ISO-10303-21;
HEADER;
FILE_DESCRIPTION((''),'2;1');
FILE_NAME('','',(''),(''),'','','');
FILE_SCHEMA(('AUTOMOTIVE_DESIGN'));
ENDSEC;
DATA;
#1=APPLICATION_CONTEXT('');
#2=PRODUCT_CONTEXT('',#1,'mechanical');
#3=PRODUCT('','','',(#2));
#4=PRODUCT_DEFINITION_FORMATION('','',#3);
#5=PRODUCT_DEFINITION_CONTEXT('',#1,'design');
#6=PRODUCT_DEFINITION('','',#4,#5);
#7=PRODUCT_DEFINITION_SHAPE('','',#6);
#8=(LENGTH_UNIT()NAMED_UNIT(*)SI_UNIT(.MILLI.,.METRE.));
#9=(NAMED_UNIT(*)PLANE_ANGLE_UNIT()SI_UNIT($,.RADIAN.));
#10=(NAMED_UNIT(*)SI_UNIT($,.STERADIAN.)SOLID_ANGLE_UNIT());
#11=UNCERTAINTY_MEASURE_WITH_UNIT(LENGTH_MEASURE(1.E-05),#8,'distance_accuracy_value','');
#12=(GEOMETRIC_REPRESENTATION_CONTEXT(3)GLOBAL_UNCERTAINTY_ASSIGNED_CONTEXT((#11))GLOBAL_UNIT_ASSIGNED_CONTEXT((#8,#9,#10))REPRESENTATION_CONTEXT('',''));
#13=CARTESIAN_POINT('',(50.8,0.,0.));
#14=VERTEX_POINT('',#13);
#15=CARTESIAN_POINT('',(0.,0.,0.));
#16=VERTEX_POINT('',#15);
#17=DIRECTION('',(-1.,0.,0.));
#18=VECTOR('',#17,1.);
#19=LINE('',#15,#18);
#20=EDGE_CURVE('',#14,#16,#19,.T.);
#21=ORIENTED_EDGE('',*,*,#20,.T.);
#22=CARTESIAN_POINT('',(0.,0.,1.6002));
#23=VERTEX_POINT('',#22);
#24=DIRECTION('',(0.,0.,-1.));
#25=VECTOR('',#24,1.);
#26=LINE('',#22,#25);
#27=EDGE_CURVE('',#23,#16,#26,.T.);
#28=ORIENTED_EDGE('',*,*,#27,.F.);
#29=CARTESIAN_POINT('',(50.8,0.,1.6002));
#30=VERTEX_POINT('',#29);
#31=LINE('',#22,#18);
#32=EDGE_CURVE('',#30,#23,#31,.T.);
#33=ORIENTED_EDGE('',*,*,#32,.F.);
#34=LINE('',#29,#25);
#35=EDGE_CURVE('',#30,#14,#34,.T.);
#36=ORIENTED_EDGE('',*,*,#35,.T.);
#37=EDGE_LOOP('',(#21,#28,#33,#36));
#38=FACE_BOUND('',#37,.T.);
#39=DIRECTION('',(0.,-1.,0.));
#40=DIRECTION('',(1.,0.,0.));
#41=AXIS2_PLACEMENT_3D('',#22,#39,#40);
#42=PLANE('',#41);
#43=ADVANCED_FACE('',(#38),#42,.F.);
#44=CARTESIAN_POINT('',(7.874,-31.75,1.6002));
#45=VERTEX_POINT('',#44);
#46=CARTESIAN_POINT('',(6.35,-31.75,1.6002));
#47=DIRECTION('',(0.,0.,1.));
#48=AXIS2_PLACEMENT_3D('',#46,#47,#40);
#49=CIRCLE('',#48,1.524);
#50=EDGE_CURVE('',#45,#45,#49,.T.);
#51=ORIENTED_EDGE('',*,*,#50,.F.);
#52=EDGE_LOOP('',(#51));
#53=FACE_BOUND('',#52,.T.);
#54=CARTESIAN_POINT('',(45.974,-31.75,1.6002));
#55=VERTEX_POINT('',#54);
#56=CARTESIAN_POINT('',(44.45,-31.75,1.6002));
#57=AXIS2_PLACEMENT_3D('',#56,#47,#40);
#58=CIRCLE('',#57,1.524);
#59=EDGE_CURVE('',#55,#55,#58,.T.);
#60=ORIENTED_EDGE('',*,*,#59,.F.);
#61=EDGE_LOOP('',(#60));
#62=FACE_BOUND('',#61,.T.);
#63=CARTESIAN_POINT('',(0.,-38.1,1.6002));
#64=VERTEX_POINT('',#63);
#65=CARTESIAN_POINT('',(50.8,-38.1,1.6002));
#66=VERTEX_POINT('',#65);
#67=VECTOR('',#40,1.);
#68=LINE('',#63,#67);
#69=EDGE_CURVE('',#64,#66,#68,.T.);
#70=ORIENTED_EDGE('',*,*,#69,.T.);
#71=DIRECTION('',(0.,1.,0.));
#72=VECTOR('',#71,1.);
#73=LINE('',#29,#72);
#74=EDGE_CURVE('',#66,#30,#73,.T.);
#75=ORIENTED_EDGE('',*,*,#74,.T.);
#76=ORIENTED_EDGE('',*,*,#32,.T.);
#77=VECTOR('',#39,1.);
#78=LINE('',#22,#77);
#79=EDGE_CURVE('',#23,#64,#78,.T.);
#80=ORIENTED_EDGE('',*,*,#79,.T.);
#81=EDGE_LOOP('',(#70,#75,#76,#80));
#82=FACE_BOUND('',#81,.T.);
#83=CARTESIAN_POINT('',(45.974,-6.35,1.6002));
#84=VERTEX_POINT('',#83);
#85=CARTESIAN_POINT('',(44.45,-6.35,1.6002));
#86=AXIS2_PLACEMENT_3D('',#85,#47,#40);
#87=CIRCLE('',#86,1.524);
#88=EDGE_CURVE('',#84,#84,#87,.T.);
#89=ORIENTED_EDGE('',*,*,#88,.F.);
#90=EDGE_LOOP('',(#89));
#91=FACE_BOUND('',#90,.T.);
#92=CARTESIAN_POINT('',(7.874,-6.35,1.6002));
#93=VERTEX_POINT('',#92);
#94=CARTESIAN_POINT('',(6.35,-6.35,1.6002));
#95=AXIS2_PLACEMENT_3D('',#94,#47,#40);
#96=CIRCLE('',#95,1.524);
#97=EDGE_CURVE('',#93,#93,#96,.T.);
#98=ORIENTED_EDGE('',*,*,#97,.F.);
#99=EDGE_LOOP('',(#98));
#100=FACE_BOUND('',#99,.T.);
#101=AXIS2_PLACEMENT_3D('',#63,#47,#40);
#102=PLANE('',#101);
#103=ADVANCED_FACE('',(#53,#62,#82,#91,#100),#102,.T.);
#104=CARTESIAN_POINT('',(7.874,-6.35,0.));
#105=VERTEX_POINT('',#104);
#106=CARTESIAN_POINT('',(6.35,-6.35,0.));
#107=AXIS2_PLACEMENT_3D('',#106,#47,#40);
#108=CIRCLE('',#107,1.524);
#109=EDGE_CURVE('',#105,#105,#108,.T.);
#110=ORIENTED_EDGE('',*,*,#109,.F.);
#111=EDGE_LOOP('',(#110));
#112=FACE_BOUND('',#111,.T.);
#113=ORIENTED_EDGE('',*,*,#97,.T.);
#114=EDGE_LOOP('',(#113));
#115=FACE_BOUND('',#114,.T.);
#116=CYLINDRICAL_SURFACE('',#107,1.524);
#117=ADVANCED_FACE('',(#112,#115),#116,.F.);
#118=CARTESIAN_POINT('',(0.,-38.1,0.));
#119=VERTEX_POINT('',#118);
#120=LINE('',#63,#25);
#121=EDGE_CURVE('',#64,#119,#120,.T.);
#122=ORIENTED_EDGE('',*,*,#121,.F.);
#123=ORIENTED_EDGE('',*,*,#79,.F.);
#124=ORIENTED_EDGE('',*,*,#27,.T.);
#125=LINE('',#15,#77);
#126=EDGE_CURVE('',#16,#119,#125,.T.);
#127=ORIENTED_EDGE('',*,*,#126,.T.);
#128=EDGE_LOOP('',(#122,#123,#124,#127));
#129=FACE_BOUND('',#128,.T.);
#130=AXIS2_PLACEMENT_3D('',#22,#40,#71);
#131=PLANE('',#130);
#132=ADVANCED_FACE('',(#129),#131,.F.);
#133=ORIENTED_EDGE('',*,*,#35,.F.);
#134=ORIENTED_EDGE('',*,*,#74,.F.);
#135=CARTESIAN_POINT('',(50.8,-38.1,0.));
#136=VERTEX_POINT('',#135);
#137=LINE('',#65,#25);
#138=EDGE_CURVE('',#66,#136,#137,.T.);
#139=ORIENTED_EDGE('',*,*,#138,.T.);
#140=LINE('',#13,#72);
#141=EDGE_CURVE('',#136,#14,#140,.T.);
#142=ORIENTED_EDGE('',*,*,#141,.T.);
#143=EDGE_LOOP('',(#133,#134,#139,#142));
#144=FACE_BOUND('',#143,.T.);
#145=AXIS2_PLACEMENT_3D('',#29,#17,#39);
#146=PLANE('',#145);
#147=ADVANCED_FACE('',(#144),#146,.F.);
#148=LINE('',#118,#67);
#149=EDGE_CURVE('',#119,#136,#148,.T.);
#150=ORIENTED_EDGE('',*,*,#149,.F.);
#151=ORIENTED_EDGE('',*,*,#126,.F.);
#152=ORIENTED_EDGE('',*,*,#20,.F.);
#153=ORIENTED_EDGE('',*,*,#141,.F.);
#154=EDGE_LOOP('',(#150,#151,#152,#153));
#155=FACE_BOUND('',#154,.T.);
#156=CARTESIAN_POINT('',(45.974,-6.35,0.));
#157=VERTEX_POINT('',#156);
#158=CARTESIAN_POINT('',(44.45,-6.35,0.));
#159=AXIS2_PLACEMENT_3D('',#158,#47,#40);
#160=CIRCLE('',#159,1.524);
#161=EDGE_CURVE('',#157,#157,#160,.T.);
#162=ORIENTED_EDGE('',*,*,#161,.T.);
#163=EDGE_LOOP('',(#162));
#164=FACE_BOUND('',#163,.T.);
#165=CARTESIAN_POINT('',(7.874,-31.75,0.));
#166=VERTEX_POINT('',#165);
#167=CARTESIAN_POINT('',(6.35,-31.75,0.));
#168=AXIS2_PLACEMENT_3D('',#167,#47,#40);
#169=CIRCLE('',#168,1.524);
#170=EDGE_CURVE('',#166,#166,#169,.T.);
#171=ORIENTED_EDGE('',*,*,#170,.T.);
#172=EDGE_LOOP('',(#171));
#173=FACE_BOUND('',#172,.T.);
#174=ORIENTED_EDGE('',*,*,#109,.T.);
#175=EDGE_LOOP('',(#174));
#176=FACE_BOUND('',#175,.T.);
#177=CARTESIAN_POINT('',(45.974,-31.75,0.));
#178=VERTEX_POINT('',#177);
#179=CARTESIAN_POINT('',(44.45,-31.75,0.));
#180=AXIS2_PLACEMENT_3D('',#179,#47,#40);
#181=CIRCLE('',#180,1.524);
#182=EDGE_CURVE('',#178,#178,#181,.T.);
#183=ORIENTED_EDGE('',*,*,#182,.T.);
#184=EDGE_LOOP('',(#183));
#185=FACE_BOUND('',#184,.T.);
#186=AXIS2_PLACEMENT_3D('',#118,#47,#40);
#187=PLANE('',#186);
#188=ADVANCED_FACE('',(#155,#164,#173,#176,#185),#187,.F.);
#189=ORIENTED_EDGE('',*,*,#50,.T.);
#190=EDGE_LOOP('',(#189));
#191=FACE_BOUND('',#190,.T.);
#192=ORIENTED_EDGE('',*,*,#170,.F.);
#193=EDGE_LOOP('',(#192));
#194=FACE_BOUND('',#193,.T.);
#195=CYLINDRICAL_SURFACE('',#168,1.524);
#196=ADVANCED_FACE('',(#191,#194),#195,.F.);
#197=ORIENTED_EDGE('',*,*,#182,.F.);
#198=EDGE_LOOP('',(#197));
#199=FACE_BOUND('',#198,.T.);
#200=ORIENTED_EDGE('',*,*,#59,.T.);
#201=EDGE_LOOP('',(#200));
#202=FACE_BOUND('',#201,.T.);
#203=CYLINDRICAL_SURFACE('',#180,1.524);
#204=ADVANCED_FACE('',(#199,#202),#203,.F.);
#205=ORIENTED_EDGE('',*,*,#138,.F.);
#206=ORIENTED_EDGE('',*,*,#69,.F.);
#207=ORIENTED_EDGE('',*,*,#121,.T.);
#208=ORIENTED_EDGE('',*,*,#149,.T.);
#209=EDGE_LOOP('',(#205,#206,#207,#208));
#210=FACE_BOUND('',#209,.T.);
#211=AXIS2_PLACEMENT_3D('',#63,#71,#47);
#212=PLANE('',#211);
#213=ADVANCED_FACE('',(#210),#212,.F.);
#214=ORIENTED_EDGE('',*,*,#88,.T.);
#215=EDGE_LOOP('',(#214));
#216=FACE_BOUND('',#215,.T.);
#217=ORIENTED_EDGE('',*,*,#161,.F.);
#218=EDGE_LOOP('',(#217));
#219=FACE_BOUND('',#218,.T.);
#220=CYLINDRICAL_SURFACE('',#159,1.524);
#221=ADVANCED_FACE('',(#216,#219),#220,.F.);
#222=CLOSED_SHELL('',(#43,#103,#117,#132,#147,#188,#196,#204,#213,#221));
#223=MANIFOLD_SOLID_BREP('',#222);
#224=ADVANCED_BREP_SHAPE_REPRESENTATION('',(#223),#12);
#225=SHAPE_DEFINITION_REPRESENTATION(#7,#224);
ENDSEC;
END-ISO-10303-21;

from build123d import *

# Parameters (mm, degrees)
SKETCH1_W            = 50.8
SKETCH1_H            = 38.1
EXTRUDE1_DEPTH       = 1.6002
SKETCH2_R            = 1.524
CUT_EXTRUDE1_DEPTH   = 1.6002
LPATTERN1_COUNT      = 2
LPATTERN1_PITCH      = 38.1
LPATTERN1_COUNT_DIR2 = 2
LPATTERN1_PITCH_DIR2 = 25.4


with BuildPart() as part:
    # Sketch1 → Extrude1 (new body)
    with BuildSketch(Plane.XY):
        with Locations((25.4, -19.05)):
            Rectangle(SKETCH1_W, SKETCH1_H)
    extrude(amount=EXTRUDE1_DEPTH)

    # Sketch2 → Cut-Extrude1 (cut)
    with BuildSketch(Plane.XY.offset(1.6002)):
        with Locations((6.35, -6.35)):
            Circle(SKETCH2_R)
    cut_extrude1 = extrude(amount=-CUT_EXTRUDE1_DEPTH, mode=Mode.SUBTRACT)

    # LPattern1: Cut-Extrude1 2 × 2
    with Locations(*[(i * LPATTERN1_PITCH, -j * LPATTERN1_PITCH_DIR2, 0) for i in range(LPATTERN1_COUNT) for j in range(LPATTERN1_COUNT_DIR2) if (i, j) != (0, 0)]):
        add(cut_extrude1, mode=Mode.SUBTRACT)


solid = part.part
